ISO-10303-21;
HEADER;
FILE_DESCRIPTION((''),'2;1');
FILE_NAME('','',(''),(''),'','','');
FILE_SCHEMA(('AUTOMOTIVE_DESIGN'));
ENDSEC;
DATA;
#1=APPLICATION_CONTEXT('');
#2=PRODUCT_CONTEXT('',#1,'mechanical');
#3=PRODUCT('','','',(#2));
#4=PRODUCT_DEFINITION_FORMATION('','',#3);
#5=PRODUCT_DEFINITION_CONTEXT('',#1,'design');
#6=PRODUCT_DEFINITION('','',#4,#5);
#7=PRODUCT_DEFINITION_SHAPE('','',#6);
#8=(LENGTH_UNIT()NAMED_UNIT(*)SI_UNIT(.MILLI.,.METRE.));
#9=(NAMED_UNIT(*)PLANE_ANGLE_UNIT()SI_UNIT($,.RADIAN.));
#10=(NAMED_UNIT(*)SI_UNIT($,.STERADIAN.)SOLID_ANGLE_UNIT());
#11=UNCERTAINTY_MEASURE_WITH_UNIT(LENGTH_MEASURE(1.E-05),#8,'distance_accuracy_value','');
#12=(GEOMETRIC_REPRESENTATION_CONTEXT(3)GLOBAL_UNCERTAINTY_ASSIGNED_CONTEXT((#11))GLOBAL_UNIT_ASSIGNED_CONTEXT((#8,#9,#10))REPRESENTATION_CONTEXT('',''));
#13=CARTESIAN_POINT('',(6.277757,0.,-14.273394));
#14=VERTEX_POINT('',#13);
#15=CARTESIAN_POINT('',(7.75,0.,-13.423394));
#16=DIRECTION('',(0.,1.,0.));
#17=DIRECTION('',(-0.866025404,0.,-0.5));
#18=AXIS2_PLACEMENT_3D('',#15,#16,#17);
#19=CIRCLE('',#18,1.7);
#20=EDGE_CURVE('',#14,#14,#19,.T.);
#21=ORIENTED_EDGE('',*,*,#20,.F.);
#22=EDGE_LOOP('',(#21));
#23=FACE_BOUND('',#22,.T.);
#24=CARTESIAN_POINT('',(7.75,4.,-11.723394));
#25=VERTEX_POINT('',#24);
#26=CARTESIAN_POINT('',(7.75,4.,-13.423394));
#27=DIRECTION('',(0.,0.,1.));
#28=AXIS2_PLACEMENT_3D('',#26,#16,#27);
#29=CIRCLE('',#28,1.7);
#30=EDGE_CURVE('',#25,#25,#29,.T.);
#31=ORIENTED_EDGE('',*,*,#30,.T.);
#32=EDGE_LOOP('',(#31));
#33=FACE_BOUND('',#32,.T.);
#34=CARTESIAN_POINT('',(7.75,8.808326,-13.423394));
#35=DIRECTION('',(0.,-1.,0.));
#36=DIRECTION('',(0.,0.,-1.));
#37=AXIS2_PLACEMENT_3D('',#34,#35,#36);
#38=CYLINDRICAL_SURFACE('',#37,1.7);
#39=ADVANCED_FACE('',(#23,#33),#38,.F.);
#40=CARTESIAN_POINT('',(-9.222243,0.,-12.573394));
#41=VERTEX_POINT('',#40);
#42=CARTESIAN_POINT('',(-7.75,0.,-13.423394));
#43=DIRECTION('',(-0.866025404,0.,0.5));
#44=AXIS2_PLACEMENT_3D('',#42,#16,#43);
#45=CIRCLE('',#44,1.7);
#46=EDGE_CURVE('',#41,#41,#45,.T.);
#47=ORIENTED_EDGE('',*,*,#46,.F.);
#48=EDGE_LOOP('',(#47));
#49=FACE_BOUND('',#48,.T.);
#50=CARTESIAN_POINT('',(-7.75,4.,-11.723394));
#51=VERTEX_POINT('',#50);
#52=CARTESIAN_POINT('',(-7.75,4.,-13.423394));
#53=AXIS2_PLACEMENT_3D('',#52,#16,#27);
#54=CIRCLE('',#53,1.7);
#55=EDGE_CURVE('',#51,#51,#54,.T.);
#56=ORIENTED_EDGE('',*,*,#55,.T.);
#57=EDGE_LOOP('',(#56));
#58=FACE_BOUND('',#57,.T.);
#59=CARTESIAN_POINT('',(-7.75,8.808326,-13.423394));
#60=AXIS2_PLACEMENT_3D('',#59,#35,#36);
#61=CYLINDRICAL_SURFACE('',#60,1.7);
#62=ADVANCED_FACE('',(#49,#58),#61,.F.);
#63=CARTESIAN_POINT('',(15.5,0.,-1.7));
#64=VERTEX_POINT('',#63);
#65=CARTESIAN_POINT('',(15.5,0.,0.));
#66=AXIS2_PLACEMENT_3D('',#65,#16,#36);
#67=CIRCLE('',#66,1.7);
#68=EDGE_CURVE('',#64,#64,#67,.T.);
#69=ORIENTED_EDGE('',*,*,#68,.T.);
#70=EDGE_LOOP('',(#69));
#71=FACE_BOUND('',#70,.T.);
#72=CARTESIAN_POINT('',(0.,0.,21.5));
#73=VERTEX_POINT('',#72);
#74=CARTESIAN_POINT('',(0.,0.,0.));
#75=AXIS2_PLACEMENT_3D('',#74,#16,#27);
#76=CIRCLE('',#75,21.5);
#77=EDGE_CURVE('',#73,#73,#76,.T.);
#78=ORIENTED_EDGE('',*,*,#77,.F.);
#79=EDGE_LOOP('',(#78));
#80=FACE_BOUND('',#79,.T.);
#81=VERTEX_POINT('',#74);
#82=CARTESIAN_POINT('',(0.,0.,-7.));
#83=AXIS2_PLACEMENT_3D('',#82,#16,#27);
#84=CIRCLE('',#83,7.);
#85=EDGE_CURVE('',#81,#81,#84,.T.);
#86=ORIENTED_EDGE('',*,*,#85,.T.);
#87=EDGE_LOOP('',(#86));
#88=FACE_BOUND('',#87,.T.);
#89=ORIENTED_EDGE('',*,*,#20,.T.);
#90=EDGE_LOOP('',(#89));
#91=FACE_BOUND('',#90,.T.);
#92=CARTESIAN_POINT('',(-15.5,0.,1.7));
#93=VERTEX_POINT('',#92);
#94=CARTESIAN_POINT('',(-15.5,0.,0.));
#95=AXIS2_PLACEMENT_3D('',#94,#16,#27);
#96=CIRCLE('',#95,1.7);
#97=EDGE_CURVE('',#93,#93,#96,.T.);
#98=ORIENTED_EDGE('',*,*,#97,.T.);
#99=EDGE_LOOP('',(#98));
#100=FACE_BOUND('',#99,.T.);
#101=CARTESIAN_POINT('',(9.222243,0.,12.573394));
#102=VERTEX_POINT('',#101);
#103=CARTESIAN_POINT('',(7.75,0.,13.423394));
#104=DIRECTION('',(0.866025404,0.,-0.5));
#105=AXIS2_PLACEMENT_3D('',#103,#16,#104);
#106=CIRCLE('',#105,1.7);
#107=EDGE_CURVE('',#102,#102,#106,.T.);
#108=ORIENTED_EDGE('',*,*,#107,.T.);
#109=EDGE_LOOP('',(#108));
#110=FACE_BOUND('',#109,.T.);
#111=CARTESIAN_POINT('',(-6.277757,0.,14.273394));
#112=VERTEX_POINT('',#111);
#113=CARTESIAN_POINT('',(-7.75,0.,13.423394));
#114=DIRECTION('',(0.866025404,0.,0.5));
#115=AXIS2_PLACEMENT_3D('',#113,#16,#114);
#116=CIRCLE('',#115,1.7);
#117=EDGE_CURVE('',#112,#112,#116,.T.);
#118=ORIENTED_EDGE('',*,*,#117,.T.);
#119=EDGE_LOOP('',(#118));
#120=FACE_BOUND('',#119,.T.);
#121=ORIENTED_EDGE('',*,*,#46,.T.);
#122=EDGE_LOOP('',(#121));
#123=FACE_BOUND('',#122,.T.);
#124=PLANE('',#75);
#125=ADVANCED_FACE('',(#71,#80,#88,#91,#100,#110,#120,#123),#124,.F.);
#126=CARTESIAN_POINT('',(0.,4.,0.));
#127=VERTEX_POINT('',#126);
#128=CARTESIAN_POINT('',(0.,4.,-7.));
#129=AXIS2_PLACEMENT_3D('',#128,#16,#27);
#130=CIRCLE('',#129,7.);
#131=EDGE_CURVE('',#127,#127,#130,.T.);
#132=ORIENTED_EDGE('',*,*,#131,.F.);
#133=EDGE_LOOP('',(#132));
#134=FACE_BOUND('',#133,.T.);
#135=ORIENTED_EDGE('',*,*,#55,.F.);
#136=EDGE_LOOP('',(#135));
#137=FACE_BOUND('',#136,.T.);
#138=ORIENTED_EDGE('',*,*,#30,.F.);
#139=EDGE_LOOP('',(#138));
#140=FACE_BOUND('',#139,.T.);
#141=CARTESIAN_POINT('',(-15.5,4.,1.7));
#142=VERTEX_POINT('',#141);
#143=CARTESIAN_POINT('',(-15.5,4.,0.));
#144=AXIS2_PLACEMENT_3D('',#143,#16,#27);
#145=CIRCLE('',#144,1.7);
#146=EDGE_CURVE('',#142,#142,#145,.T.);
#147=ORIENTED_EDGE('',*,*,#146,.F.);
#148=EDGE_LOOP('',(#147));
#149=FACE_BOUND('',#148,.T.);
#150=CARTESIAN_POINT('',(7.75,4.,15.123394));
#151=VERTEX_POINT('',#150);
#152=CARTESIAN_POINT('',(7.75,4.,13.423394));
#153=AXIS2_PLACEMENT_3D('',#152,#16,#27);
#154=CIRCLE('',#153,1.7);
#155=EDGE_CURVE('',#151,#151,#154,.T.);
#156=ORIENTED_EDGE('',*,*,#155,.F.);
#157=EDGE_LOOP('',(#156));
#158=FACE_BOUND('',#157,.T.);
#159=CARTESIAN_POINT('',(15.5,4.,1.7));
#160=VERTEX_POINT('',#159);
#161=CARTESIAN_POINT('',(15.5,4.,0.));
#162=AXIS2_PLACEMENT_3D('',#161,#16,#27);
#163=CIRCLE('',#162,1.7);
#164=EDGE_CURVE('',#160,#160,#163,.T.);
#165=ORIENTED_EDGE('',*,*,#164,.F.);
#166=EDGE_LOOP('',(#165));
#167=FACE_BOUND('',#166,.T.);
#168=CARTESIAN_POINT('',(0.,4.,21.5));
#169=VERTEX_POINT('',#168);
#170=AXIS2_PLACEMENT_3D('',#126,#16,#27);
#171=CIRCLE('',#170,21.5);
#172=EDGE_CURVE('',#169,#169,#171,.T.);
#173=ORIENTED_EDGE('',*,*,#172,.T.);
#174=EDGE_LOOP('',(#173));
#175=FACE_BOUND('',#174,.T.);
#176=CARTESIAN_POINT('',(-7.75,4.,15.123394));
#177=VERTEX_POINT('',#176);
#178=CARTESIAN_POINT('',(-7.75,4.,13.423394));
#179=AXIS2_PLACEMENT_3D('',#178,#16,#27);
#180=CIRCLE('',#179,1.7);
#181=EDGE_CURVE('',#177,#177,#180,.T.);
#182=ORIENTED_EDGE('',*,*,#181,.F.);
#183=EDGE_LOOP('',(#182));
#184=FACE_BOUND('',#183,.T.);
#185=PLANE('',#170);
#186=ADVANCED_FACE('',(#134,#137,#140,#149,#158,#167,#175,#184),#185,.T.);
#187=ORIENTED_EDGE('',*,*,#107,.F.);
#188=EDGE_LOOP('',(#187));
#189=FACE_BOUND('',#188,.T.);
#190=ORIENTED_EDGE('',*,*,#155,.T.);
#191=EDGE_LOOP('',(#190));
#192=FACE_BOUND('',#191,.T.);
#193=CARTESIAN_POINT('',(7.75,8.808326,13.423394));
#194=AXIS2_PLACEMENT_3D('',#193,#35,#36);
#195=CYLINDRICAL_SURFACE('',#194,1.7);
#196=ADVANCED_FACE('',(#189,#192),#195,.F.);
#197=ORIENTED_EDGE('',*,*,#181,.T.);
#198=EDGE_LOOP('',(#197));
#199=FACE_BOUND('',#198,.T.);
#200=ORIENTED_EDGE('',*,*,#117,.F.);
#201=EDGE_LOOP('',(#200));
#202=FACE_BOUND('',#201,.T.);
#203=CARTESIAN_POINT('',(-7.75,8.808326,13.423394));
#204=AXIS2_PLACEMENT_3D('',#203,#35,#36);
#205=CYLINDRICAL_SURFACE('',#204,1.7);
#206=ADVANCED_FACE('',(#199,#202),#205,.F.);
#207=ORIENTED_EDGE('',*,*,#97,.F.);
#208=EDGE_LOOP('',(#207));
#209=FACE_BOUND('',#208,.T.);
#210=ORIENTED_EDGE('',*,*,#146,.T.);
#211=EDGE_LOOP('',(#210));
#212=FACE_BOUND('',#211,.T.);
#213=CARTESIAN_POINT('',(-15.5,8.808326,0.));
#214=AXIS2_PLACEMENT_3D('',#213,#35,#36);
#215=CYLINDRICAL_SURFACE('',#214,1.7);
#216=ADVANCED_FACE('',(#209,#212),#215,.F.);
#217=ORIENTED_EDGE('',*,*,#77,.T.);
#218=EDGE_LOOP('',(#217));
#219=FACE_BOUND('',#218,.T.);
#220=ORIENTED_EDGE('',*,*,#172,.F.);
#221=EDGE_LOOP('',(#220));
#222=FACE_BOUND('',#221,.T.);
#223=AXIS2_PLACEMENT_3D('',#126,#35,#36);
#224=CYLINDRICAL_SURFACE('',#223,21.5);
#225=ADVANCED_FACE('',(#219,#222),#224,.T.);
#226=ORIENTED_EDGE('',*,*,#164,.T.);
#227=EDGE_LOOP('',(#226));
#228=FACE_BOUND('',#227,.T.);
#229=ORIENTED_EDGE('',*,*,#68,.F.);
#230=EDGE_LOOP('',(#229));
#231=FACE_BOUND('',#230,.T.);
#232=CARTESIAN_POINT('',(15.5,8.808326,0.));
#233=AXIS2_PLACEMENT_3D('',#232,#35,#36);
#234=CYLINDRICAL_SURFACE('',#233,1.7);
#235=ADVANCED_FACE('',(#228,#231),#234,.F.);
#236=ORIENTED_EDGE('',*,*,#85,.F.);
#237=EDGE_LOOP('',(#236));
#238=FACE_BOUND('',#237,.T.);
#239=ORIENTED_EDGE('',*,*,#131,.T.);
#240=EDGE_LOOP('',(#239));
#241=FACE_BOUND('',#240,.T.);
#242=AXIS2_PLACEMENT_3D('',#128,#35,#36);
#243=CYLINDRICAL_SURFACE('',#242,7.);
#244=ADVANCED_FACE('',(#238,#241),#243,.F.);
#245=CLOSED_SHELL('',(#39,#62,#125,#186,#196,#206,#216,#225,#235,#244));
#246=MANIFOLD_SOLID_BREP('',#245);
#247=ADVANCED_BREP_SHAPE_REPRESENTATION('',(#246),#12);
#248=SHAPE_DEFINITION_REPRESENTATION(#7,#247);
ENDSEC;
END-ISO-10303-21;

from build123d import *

# Parameters (mm, degrees)
SKETCH3_R           = 21.5
SKETCH3_R_2         = 7
BOSS_EXTRUDE1_DEPTH = 4
SKETCH3_4_R         = 1.7
CUT_EXTRUDE2_DEPTH  = 4
CIRPATTERN1_COUNT   = 6


with BuildPart() as part:
    # Sketch3 → Boss-Extrude1 (new body)
    with BuildSketch(Plane(origin=(0, 0, 0), x_dir=(1, 0, 0), z_dir=(0, 1, 0))):
        Circle(SKETCH3_R)
        with Locations((0, 7)):
            Circle(SKETCH3_R_2, mode=Mode.SUBTRACT)
    extrude(amount=BOSS_EXTRUDE1_DEPTH)

    # Sketch3<4> → Cut-Extrude2 (cut)
    with BuildSketch(Plane(origin=(0, 0, 0), x_dir=(1, 0, 0), z_dir=(0, 1, 0))):
        with Locations((-15.5, 0)):
            Circle(SKETCH3_4_R)
    cut_extrude2 = extrude(amount=CUT_EXTRUDE2_DEPTH, mode=Mode.SUBTRACT)

    # CirPattern1: Cut-Extrude2 ×6 about axis
    cirpattern1_axis = Axis((0, 0, 0), (0, 1, 0))
    for i in range(1, CIRPATTERN1_COUNT):
        add(cut_extrude2.rotate(cirpattern1_axis, i * 360 / CIRPATTERN1_COUNT), mode=Mode.SUBTRACT)


solid = part.part
